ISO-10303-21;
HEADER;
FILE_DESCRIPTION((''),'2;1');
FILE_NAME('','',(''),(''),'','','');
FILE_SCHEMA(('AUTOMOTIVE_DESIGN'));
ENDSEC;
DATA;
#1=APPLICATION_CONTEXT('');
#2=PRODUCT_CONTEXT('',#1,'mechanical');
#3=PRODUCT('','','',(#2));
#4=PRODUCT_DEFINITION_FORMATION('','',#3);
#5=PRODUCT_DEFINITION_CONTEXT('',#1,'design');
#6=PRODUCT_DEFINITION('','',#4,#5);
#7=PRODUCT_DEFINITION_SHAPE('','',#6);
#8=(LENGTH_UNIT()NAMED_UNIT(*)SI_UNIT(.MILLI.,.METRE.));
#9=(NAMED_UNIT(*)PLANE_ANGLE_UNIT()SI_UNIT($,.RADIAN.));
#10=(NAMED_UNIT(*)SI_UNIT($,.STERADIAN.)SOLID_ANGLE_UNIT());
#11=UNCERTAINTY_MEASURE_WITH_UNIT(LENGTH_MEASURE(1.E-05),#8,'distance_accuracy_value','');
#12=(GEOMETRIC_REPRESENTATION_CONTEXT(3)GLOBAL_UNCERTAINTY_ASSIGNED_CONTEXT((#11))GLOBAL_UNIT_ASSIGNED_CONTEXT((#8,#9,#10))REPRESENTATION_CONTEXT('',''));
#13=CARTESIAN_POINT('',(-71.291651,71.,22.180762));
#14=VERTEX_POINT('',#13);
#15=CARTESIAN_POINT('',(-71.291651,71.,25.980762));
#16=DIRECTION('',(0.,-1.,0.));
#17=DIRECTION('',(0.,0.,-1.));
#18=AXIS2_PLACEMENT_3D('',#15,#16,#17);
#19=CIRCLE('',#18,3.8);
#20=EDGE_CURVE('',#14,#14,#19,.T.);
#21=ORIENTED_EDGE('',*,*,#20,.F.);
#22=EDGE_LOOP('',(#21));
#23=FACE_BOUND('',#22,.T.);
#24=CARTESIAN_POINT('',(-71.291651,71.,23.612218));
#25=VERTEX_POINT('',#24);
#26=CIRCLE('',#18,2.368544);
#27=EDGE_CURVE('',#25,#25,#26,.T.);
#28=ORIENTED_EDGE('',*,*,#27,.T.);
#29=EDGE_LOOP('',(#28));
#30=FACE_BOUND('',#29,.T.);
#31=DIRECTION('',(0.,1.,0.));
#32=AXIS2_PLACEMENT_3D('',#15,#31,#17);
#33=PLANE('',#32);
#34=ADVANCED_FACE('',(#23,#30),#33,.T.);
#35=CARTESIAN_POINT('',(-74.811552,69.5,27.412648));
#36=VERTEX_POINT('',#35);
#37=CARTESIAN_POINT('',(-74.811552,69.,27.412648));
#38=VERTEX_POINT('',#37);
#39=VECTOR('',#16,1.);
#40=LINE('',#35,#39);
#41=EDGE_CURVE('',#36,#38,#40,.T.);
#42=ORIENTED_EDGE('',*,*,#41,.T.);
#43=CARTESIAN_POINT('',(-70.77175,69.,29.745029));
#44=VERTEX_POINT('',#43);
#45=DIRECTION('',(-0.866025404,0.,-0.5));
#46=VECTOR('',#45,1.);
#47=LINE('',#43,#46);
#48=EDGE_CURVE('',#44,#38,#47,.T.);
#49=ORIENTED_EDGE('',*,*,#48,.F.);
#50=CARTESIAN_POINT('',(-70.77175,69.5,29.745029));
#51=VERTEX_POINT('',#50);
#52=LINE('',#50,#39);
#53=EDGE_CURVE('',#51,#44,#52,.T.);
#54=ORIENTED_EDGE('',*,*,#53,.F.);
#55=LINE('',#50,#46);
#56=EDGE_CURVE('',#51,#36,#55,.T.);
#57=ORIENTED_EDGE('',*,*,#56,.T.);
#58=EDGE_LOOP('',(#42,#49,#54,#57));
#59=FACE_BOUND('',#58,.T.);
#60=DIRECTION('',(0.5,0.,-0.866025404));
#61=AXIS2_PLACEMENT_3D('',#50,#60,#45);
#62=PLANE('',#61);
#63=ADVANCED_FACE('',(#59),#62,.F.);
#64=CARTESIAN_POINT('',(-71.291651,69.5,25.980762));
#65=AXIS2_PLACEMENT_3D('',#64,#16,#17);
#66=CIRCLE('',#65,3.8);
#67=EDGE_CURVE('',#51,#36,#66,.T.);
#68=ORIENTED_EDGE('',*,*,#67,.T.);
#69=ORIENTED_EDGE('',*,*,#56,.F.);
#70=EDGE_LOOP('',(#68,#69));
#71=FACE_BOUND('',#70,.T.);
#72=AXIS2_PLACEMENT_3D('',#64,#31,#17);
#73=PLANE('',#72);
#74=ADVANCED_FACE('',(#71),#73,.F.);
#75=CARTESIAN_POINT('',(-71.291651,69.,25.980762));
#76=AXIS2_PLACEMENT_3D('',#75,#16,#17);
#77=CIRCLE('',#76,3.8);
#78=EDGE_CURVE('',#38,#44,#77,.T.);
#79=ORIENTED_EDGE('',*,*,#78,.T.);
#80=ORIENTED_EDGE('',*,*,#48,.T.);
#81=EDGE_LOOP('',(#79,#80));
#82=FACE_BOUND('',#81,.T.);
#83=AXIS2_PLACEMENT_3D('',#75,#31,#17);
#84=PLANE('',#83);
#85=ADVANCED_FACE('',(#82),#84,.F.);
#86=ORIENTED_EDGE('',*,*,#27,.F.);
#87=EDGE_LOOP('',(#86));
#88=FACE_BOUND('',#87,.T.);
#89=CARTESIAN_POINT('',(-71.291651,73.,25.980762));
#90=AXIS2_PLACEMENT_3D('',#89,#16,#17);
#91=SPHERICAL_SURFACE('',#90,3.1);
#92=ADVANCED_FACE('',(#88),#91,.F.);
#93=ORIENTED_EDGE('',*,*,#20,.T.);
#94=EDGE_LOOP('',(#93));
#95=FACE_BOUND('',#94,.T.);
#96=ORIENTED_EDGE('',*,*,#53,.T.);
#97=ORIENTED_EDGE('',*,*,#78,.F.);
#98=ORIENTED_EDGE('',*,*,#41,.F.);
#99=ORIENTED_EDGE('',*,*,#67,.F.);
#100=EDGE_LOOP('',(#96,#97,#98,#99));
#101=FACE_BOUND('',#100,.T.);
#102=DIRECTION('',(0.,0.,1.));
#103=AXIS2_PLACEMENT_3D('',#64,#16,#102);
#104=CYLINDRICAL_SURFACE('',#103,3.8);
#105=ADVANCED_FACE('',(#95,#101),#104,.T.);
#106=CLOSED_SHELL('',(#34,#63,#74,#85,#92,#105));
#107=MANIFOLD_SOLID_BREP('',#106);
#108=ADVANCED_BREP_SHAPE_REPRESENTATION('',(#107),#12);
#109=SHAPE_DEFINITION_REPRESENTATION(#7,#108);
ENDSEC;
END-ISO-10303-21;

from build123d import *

# Parameters (mm, degrees)
KEYED_BACK_DEPTH   = 0.5
CUP_BLANK_SKETCH_R = 3.8
CUP_BLANK_DEPTH    = 1.5


with BuildPart() as part:
    # Keyed Back Sketch → Keyed Back (new body)
    with BuildSketch(Plane(origin=(0, -69, 0), x_dir=(-1, 0, 0), z_dir=(0, -1, 0))):
        with BuildLine():
            Line((70.771750258, -29.745028704), (74.811552234, -27.412647946))
            ThreePointArc((74.811552234, -27.412647946), (69.391651246, -22.689865579), (70.771750258, -29.745028704))
        make_face()
    extrude(amount=KEYED_BACK_DEPTH)

    # Cup Blank Sketch → Cup Blank (add)
    with BuildSketch(Plane(origin=(0, -69.5, 0), x_dir=(-1, 0, 0), z_dir=(0, -1, 0))):
        with Locations(Location((71.291651246, -25.980762114, 0), (0, 0, 262.136353638))):
            Circle(CUP_BLANK_SKETCH_R)
    extrude(amount=CUP_BLANK_DEPTH)

    # Spherical Bearing Seat profile → Spherical Bearing Seat (revolve, cut)
    with BuildSketch(Plane(origin=(0, -73, 0), x_dir=(-1, 0, 0), z_dir=(0, -1, 0))):
        with BuildLine():
            Line((71.291651246, -29.080762114), (71.291651246, -22.880762114))
            ThreePointArc((71.291651246, -22.880762114), (68.191651246, -25.980762114), (71.291651246, -29.080762114))
        make_face()
    revolve(axis=Axis((-71.291651246, -73, 15.980762114), (0, 0, 1)), mode=Mode.SUBTRACT)


with BuildPart() as body_2:
    # Mirror1: mirrored copy
    add(part.part.mirror(Plane(origin=(0, 0, 0), x_dir=(0, 0, 1), z_dir=(0, -1, 0))))


solid = body_2.part
